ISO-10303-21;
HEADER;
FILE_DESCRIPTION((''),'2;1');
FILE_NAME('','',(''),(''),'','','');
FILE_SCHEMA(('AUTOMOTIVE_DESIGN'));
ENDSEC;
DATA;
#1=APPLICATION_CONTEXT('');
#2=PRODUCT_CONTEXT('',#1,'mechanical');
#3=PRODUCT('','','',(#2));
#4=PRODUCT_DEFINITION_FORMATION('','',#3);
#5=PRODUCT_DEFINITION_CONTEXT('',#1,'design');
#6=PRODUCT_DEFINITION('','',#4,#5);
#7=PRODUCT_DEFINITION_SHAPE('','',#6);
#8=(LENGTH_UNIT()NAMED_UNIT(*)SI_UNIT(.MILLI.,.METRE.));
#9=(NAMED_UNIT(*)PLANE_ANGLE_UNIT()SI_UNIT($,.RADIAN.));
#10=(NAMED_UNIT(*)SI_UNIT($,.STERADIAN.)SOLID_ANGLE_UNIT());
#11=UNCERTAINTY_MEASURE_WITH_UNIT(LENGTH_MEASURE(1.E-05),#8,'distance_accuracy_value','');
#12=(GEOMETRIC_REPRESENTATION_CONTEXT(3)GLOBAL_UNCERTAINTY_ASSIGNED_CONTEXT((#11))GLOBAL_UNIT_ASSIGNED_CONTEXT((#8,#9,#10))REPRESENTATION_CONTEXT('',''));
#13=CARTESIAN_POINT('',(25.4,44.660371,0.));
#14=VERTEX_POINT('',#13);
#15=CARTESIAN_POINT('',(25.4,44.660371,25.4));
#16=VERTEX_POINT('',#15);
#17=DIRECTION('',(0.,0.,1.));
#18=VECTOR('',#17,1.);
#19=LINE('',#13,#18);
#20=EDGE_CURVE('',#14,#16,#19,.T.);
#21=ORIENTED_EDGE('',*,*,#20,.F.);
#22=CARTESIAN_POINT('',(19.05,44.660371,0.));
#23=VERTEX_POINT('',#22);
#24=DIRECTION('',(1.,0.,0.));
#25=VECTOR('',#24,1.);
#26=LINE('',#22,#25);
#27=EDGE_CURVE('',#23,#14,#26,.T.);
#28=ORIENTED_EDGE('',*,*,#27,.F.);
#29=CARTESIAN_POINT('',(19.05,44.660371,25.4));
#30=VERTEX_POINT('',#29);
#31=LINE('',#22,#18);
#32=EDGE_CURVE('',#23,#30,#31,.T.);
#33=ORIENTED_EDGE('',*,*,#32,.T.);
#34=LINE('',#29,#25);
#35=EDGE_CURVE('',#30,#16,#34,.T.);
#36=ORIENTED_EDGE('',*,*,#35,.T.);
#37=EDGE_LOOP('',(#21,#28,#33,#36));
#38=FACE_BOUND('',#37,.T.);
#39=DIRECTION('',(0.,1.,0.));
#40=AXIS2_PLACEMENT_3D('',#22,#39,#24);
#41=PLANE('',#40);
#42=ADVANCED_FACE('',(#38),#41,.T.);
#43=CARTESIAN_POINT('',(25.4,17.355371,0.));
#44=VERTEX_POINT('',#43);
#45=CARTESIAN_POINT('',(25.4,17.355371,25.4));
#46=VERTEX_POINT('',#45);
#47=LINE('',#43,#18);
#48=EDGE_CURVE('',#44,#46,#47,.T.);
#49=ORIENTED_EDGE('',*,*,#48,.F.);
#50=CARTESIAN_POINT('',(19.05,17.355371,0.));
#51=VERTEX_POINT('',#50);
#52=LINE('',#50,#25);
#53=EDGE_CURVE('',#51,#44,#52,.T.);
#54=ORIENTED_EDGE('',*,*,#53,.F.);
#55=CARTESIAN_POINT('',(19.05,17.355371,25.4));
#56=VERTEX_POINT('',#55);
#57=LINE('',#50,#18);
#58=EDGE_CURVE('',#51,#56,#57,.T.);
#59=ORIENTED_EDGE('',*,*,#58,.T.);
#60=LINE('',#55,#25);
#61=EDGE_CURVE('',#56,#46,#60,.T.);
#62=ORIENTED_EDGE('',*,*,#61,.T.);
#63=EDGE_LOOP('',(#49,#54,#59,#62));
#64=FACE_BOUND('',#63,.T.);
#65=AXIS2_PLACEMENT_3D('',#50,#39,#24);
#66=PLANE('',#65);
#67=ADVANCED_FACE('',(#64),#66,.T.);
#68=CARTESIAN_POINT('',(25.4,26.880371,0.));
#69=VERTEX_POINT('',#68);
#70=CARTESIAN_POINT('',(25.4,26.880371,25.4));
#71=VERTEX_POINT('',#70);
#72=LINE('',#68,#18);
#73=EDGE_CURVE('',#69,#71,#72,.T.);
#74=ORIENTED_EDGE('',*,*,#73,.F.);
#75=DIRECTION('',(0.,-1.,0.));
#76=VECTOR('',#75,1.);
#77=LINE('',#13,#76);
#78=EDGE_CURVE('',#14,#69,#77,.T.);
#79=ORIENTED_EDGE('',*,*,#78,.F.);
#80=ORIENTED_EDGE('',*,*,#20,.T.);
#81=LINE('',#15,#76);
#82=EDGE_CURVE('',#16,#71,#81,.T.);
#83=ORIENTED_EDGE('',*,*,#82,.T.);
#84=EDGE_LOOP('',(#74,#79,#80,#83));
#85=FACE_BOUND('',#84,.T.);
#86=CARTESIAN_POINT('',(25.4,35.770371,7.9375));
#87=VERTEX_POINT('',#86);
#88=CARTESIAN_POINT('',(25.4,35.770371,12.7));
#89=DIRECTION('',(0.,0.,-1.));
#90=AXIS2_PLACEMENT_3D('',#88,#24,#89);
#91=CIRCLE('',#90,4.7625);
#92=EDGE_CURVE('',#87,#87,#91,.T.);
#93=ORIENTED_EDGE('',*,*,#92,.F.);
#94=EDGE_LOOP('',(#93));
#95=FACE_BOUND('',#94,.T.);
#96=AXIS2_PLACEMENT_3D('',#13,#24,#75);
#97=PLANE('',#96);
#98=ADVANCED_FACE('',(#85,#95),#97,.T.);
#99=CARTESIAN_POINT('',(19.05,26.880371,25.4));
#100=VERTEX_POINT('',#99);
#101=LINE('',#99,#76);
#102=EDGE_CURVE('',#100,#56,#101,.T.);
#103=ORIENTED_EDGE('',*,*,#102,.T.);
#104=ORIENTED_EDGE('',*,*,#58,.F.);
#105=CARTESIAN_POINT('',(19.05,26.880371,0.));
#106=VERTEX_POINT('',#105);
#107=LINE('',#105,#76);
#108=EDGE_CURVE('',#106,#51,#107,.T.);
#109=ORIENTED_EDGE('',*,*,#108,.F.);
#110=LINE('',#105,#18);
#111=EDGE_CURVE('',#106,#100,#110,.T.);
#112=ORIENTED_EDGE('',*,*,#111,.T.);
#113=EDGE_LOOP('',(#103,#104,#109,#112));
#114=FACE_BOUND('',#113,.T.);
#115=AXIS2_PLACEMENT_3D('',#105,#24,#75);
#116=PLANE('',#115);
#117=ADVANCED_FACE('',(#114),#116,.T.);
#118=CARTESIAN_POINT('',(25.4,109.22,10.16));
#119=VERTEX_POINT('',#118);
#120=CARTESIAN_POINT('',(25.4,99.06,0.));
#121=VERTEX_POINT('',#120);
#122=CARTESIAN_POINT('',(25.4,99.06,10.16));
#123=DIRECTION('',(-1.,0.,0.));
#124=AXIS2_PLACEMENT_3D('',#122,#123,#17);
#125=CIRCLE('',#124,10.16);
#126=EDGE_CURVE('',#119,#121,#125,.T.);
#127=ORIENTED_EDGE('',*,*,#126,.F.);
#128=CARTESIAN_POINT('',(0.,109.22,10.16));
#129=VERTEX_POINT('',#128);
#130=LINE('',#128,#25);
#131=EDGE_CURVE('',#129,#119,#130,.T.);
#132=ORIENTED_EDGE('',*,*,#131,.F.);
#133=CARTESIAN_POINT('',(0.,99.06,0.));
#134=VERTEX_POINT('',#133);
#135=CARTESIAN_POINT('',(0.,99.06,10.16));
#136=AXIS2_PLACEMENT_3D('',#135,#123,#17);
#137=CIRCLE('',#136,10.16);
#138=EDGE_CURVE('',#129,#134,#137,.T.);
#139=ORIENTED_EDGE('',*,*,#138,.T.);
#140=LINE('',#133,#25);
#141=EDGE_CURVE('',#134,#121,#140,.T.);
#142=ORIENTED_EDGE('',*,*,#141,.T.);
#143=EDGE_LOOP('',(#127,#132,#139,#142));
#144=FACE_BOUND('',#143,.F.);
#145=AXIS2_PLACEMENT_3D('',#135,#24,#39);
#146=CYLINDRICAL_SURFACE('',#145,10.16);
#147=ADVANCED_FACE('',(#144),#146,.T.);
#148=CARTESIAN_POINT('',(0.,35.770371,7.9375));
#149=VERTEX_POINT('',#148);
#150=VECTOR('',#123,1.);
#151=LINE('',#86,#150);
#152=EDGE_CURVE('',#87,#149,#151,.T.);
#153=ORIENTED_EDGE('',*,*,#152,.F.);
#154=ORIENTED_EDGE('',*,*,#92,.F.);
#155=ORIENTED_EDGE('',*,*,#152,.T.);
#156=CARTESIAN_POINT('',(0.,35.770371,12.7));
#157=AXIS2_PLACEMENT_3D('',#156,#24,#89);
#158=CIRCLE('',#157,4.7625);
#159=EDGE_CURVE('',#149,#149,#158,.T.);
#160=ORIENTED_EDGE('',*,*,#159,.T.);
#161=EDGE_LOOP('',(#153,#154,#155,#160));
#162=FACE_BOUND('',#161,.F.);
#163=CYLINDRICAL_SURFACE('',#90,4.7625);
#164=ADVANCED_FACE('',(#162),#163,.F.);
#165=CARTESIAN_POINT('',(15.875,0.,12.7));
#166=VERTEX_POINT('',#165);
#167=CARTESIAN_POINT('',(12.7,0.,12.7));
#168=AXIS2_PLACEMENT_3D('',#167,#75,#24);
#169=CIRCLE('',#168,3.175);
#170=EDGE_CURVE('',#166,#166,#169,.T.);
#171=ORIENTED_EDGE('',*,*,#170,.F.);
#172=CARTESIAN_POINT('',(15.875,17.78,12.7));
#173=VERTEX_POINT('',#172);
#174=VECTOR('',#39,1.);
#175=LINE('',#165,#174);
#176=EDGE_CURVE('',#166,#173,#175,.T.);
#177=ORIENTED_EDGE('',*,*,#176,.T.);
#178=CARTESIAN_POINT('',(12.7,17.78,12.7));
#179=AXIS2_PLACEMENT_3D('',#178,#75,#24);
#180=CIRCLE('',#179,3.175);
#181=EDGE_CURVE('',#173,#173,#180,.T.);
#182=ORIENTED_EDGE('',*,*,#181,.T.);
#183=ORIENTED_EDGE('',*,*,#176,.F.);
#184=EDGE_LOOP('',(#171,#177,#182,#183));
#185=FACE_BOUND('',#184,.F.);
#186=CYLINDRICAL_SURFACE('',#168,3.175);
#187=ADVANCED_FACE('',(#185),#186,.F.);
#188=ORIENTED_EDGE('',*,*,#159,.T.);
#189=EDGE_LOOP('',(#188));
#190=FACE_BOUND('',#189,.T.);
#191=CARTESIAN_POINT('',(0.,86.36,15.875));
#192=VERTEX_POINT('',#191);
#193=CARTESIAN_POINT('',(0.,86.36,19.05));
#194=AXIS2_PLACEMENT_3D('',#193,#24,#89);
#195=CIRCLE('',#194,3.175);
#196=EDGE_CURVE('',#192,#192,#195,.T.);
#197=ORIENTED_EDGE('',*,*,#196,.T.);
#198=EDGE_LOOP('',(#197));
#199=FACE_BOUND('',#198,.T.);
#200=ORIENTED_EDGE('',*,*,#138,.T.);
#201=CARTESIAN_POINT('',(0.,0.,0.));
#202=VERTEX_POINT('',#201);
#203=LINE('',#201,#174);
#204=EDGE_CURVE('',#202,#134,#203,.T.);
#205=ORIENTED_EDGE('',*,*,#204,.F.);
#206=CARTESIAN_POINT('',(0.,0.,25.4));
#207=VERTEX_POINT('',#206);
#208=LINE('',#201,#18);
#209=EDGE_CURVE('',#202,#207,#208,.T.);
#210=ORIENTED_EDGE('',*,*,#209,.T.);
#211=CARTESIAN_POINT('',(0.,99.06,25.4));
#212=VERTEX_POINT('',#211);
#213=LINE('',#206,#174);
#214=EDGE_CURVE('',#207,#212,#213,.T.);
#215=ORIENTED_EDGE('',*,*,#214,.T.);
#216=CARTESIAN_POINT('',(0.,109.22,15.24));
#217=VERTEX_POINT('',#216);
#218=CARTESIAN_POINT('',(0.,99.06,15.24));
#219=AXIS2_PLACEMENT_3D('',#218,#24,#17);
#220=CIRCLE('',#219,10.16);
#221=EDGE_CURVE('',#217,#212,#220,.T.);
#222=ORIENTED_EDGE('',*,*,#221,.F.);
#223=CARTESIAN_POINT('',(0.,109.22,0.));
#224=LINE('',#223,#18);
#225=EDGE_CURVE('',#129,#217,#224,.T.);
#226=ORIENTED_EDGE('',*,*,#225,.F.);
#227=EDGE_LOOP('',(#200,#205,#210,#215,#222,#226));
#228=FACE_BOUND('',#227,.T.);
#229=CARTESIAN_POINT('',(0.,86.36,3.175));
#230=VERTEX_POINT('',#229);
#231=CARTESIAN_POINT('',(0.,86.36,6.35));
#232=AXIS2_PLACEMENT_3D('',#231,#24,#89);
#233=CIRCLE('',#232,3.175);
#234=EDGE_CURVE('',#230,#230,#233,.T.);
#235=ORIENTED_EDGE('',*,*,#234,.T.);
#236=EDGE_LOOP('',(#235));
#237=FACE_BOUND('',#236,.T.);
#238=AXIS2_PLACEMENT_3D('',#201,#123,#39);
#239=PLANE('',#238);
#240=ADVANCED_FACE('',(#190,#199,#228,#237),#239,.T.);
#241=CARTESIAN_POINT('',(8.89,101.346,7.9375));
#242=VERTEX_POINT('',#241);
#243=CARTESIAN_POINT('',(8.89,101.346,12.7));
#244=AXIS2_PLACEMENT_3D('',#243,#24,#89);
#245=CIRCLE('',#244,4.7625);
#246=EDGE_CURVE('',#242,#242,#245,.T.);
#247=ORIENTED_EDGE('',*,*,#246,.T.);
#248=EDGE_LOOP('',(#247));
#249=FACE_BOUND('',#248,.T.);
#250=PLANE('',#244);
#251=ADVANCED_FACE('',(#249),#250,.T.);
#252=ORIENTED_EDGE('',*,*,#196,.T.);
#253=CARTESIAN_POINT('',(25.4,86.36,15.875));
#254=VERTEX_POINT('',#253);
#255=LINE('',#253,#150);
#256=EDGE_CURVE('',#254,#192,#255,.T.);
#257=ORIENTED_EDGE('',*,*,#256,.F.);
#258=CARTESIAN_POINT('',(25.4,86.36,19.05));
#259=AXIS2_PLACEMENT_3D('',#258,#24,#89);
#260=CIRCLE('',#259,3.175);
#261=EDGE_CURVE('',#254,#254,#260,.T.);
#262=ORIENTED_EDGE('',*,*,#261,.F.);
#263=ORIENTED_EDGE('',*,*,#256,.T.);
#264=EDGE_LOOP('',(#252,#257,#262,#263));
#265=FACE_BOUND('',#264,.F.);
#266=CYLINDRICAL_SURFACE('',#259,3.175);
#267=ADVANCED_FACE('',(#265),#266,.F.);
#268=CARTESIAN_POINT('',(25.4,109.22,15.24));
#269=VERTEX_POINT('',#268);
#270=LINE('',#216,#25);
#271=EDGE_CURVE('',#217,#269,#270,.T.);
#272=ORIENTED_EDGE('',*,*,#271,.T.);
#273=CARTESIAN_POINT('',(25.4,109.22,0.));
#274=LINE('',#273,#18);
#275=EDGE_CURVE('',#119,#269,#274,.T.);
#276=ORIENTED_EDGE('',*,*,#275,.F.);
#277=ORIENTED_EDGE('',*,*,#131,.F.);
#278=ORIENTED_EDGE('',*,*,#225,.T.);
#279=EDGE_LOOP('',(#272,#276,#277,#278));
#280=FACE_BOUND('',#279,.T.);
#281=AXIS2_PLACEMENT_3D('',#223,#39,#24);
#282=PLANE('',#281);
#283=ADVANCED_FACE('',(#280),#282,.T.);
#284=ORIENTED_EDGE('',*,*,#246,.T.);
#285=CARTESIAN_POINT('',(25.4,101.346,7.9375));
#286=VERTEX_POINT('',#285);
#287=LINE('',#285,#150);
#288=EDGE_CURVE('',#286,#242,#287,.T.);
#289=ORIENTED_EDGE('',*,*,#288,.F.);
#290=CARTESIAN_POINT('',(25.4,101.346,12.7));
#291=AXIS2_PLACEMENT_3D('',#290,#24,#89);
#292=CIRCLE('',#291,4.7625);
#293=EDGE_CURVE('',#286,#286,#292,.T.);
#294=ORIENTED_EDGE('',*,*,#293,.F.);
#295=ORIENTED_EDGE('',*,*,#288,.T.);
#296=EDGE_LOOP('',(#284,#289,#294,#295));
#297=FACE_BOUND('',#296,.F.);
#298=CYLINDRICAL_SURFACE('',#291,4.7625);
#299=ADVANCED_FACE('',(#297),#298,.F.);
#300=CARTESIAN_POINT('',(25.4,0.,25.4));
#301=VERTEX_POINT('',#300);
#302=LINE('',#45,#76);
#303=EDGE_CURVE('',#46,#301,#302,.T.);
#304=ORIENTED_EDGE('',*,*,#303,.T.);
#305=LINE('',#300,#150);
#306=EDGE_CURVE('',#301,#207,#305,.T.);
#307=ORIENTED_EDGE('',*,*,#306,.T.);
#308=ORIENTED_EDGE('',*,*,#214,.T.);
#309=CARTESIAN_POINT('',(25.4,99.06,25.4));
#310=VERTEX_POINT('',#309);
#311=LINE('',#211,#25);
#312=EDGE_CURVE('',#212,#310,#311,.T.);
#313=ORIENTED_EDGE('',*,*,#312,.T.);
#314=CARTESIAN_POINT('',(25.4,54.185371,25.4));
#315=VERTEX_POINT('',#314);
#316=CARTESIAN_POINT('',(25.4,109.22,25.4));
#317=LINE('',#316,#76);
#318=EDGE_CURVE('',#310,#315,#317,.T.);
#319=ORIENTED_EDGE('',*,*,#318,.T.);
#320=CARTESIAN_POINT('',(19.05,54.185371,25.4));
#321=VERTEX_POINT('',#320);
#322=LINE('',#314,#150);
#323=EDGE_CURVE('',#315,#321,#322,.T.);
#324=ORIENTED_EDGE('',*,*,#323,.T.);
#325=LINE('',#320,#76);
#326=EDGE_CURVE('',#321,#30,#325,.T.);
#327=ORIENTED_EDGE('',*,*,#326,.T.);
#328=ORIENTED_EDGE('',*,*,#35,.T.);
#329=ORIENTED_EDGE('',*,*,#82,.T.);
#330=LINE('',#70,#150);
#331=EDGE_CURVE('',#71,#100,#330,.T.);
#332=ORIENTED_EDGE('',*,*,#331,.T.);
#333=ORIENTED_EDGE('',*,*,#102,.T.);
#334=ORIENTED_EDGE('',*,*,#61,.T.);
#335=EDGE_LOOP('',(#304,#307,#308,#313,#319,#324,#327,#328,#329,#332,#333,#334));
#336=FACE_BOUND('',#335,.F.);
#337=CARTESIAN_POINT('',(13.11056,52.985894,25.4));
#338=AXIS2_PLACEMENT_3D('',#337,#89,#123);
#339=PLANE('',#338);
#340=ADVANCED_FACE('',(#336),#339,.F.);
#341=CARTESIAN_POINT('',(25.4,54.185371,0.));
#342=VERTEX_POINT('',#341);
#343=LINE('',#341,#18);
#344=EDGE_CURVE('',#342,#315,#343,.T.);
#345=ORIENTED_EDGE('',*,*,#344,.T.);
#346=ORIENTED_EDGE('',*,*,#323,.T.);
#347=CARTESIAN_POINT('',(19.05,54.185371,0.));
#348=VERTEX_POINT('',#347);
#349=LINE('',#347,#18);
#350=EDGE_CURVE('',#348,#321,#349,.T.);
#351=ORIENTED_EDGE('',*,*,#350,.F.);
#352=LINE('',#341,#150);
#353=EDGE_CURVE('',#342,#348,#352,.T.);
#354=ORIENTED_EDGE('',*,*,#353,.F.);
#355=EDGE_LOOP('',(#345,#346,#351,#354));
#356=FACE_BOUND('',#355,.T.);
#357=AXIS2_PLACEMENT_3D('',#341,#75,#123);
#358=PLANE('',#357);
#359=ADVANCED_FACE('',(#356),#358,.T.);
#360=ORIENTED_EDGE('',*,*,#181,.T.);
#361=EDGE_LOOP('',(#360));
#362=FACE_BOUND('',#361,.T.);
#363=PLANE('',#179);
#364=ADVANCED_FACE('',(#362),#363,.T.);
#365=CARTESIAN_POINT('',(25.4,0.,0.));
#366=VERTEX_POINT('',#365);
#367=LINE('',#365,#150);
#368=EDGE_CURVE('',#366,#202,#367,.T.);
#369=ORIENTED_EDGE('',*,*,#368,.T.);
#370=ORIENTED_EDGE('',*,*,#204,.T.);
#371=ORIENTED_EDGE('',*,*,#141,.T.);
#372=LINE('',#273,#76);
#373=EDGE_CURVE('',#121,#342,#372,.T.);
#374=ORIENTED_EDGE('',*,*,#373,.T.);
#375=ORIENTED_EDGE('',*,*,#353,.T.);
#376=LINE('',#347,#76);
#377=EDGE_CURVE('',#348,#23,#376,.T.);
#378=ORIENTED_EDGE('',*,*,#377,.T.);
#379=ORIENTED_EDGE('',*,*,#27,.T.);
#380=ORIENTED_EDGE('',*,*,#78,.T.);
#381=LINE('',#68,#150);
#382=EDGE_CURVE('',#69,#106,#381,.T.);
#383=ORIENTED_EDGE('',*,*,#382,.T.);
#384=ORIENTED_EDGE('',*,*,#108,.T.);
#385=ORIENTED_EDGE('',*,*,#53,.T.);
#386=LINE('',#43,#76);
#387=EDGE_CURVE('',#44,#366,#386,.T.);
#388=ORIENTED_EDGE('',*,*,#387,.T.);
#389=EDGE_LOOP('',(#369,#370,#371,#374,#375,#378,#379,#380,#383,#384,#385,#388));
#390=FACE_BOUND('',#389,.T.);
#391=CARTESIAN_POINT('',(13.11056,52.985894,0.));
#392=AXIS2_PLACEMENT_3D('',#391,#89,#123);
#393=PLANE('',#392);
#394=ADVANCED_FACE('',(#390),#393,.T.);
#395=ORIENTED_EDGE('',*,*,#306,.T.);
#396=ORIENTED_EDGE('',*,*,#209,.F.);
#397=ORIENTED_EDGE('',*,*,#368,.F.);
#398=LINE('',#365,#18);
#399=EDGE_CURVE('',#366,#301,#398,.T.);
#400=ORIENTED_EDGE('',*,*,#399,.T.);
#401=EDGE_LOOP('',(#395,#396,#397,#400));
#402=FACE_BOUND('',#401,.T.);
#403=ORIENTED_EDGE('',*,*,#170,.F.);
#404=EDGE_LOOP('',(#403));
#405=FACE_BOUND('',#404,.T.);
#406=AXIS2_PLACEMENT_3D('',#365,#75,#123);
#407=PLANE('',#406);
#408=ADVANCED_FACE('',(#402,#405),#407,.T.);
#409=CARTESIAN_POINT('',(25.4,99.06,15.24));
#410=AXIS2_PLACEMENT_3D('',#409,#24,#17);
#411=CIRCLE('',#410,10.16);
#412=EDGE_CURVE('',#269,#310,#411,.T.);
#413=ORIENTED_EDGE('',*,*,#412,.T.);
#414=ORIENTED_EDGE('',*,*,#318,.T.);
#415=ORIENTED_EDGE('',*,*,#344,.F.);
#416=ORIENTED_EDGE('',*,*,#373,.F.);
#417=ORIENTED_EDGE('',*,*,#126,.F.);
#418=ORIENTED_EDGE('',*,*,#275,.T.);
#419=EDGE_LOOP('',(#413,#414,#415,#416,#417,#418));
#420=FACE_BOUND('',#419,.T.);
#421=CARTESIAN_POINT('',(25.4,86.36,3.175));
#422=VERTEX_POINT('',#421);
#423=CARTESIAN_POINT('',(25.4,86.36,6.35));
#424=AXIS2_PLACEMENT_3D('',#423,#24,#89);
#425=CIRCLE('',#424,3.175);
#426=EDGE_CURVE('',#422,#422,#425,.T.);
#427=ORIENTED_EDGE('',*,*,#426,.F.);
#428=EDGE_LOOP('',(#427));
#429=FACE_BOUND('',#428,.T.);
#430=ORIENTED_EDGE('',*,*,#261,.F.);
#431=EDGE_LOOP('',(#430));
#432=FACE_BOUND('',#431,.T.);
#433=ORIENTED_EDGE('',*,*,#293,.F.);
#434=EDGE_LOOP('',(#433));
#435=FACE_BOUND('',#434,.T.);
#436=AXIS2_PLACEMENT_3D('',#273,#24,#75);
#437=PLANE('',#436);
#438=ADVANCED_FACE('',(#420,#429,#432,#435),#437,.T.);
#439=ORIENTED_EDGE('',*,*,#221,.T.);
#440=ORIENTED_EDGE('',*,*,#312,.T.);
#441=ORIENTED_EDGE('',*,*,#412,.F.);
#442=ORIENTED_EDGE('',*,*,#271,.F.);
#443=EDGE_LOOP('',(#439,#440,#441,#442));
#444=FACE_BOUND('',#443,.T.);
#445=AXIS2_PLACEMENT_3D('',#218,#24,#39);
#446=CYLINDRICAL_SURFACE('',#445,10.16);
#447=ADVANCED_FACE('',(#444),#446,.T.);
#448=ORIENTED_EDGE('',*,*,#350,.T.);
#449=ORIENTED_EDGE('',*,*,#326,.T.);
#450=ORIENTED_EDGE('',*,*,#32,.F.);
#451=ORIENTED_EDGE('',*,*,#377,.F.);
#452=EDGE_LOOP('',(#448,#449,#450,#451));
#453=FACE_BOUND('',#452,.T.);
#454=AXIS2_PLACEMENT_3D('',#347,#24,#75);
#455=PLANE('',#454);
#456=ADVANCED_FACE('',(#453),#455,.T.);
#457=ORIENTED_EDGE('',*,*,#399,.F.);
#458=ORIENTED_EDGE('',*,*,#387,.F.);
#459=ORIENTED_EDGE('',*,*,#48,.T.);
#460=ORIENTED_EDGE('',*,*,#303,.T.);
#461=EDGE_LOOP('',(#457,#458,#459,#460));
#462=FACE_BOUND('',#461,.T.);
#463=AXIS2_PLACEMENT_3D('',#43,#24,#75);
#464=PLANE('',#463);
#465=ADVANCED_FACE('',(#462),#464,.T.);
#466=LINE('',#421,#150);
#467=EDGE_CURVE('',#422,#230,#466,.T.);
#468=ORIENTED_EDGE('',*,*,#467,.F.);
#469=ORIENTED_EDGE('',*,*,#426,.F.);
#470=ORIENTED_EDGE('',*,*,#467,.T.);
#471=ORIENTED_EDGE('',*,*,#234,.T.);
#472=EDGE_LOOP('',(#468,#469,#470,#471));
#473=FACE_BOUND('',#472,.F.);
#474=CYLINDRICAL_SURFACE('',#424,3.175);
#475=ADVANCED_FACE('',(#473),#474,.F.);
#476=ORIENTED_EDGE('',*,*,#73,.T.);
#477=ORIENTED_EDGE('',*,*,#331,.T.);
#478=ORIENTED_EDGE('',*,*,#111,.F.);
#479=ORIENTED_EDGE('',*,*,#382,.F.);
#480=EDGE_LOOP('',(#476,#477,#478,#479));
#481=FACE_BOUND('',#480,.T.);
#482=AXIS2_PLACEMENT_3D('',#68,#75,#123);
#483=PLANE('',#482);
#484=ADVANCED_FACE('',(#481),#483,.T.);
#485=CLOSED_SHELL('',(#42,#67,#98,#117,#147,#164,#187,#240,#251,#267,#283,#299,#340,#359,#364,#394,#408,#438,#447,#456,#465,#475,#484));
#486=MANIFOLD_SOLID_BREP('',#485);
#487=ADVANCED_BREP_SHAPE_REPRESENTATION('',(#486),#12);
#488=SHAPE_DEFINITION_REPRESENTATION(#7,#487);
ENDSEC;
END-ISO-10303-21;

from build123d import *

# Parameters (mm, degrees)
BOSS_EXTRUDE1_DEPTH = 25.4
FILLET1_R           = 10.16
SKETCH2_R           = 4.7625
CUT_EXTRUDE1_DEPTH  = 25.4
SKETCH4_R           = 3.175
CUT_EXTRUDE3_DEPTH  = 25.4
SKETCH5_R           = 4.7625
CUT_EXTRUDE4_DEPTH  = 16.51
SKETCH6_R           = 3.175
CUT_EXTRUDE5_DEPTH  = 17.78


with BuildPart() as part:
    # Sketch1 → Boss-Extrude1 (new body)
    with BuildSketch(Plane.XY):
        Polygon((0, 0), (0, 109.22), (25.4, 109.22), (25.4, 54.185371462), (19.05, 54.185371462), (19.05, 44.660371462), (25.4, 44.660371462), (25.4, 26.880371462), (19.05, 26.880371462), (19.05, 17.355371462), (25.4, 17.355371462), (25.4, 0), align=None)
    extrude(amount=BOSS_EXTRUDE1_DEPTH)

    # Fillet1
    fillet1_edges = [part.edges().sort_by_distance(p)[0] for p in [
        (12.7, 109.22, 0),
        (12.7, 109.22, 25.4),
    ]]
    fillet(fillet1_edges, radius=FILLET1_R)

    # Sketch2 → Cut-Extrude1 (cut)
    with BuildSketch(Plane(origin=(25.4, 0, 0), x_dir=(0, 0, -1), z_dir=(1, 0, 0))):
        with Locations((-12.7, 35.770371462)):
            Circle(SKETCH2_R)
    extrude(amount=-CUT_EXTRUDE1_DEPTH, mode=Mode.SUBTRACT)

    # Sketch4 → Cut-Extrude3 (cut)
    with BuildSketch(Plane(origin=(25.4, 0, 0), x_dir=(0, 0, -1), z_dir=(1, 0, 0))):
        with Locations((-19.05, 86.36)):
            Circle(SKETCH4_R)
        with Locations((-6.35, 86.36)):
            Circle(SKETCH4_R)
    extrude(amount=-CUT_EXTRUDE3_DEPTH, mode=Mode.SUBTRACT)

    # Sketch5 → Cut-Extrude4 (cut)
    with BuildSketch(Plane(origin=(25.4, 0, 0), x_dir=(0, 0, -1), z_dir=(1, 0, 0))):
        with Locations((-12.7, 101.346)):
            Circle(SKETCH5_R)
    extrude(amount=-CUT_EXTRUDE4_DEPTH, mode=Mode.SUBTRACT)

    # Sketch6 → Cut-Extrude5 (cut)
    with BuildSketch(Plane.XZ):
        with Locations((12.7, 12.7)):
            Circle(SKETCH6_R)
    extrude(amount=-CUT_EXTRUDE5_DEPTH, mode=Mode.SUBTRACT)


solid = part.part
